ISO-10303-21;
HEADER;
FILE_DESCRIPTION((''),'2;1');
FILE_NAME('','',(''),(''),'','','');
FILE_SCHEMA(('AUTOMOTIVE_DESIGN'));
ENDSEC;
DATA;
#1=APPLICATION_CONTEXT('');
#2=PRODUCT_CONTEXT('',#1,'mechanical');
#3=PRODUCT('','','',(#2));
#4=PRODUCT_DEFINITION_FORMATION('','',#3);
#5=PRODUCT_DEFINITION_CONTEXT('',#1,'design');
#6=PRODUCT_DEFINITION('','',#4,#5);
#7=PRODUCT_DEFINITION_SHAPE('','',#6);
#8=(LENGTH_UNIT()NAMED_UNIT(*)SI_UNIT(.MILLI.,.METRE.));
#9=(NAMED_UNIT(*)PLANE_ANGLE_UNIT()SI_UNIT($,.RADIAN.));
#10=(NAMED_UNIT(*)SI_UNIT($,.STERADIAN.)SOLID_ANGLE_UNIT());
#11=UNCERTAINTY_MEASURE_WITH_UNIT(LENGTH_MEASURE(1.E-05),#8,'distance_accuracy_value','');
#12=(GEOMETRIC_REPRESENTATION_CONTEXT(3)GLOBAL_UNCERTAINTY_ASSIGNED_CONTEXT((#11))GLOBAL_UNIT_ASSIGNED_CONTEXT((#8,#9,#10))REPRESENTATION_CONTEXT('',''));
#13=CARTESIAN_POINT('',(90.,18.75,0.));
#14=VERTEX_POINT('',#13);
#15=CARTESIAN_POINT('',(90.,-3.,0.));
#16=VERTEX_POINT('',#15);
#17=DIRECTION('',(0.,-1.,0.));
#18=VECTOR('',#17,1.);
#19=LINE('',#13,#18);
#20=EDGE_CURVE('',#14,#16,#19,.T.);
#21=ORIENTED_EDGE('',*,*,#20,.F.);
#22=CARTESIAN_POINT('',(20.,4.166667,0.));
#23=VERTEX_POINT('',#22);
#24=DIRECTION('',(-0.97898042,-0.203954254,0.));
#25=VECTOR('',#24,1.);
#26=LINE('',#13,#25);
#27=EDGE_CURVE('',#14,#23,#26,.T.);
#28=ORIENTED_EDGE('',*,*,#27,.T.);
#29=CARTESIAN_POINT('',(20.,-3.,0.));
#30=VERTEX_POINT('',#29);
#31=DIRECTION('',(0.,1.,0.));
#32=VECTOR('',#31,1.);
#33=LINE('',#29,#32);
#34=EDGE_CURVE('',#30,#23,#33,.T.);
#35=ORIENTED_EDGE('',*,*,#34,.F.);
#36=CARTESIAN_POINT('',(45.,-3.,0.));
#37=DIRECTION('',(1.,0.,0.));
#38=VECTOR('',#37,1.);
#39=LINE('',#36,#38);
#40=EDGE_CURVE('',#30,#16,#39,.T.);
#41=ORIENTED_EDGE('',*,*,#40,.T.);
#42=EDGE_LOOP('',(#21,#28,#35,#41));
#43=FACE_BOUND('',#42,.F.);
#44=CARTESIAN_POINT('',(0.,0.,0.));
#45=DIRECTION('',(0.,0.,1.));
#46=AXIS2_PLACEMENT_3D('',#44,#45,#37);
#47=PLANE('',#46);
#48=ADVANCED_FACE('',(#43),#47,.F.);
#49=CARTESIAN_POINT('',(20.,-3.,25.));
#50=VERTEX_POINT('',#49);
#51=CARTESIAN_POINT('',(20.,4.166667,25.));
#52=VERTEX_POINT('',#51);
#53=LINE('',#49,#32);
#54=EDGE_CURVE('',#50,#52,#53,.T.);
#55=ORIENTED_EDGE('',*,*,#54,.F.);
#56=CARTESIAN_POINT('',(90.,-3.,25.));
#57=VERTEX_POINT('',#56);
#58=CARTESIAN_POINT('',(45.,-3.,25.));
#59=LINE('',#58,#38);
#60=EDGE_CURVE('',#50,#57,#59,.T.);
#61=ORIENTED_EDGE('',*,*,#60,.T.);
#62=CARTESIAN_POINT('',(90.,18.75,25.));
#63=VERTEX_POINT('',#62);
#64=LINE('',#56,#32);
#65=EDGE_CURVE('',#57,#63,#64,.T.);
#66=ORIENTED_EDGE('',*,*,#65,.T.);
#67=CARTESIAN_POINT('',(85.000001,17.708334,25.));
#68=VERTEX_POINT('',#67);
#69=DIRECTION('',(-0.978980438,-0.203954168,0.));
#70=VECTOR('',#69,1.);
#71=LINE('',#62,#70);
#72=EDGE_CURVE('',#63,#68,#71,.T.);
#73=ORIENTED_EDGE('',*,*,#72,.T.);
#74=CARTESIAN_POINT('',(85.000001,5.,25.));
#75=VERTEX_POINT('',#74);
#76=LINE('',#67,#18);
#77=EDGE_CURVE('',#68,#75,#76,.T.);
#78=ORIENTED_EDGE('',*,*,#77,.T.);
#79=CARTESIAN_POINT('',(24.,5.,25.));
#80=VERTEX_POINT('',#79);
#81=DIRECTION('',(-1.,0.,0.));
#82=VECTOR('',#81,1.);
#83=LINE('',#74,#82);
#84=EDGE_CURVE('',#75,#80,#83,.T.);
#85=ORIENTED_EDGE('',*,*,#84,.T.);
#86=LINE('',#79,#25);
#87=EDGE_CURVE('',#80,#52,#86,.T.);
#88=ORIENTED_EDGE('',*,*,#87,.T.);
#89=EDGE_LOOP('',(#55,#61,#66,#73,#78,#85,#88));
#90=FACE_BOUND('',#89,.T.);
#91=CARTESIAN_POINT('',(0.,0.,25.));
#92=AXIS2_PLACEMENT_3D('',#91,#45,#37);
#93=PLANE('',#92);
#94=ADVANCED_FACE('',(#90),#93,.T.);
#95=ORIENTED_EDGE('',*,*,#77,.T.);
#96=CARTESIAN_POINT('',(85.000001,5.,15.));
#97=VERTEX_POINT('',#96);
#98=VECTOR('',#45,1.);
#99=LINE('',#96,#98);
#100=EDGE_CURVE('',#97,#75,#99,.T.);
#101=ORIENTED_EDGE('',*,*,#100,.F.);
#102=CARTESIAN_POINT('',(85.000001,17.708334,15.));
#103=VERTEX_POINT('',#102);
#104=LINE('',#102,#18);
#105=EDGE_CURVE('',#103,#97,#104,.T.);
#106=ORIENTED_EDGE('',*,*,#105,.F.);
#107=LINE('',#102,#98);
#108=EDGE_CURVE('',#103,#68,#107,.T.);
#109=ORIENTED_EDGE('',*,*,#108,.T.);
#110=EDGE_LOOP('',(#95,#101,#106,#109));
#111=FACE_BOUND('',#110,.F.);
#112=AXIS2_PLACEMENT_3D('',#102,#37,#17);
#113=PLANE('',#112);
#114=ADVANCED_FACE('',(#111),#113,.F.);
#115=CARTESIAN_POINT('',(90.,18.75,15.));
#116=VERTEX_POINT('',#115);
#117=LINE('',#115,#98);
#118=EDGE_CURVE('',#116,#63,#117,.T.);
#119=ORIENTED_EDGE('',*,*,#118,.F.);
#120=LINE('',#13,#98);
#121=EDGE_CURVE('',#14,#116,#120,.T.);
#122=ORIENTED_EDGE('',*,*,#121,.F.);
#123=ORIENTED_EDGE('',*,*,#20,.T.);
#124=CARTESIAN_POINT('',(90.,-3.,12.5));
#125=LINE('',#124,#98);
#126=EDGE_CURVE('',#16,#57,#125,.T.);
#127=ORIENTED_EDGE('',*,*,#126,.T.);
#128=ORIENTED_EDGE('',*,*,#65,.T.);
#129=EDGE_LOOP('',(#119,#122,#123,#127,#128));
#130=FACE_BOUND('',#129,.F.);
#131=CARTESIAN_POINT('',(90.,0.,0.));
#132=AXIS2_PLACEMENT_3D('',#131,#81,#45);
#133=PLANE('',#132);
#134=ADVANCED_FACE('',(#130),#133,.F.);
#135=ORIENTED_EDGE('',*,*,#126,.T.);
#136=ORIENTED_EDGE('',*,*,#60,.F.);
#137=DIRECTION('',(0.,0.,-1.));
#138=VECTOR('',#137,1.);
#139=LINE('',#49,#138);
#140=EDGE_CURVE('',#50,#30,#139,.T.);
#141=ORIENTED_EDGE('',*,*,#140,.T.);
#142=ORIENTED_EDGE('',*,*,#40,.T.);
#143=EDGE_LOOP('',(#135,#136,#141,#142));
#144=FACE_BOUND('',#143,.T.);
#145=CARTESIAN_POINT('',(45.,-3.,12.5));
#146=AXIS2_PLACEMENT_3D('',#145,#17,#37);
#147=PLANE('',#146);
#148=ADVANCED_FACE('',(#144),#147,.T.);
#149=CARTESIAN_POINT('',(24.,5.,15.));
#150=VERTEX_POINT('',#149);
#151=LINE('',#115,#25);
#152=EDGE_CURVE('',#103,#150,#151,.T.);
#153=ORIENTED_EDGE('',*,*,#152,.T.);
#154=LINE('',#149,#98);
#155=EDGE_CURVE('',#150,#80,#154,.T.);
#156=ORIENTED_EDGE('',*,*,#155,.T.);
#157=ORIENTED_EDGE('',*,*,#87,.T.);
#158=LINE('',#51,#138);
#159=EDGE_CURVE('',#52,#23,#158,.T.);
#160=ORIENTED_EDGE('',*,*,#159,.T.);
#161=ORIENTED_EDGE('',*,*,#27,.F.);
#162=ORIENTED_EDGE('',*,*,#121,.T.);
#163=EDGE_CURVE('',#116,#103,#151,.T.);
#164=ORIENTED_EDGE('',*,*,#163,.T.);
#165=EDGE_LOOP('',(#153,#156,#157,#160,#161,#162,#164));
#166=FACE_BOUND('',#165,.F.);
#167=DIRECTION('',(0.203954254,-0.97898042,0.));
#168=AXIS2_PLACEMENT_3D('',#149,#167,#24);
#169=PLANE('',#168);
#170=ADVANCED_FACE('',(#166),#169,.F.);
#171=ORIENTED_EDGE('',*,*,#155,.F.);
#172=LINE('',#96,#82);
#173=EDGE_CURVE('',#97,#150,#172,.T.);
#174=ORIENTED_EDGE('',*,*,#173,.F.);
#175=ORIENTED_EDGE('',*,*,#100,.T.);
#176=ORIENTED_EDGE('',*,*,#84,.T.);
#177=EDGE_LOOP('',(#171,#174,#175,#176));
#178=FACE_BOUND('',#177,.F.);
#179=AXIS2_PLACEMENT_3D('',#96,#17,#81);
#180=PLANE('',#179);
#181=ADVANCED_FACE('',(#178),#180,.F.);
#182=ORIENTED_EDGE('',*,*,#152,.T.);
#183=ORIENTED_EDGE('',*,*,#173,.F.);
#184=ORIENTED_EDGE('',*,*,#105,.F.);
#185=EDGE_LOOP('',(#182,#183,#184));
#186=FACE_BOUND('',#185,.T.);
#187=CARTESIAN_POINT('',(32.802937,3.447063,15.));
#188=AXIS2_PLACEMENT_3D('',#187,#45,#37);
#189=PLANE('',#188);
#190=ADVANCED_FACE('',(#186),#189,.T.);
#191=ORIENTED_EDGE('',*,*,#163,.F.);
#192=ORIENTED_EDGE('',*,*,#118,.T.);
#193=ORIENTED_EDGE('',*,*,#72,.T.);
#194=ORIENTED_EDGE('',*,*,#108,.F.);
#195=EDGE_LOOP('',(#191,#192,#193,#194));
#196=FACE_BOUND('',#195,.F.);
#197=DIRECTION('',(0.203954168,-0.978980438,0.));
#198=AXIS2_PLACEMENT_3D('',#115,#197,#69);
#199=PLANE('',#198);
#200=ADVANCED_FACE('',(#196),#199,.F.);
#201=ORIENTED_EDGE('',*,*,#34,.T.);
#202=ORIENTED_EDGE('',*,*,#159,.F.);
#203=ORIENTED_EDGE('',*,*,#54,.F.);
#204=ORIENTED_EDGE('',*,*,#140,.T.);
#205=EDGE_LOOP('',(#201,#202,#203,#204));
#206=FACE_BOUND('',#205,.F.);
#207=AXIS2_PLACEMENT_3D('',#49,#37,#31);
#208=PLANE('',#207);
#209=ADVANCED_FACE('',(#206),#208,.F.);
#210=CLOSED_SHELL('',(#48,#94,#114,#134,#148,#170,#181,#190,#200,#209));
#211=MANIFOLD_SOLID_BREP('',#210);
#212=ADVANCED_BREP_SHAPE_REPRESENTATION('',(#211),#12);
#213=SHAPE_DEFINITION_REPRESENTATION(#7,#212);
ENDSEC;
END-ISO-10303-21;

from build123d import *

# Parameters (mm, degrees)
F1_DEPTH  = 15
F3_DEPTH  = 10
F3_FACE_W = 90
F3_FACE_H = 25
F4_DEPTH  = 3
F6_DEPTH  = 25


with BuildPart() as f1:
    # F0 (on Top) → F1 (new body)
    with BuildSketch(Plane.XY):
        Polygon((60, 12.5), (0, 0), (60, 0), align=None)
        Polygon((60, 12.5), (60, 0), (90, 0), (90, 18.75), align=None)
    extrude(amount=F1_DEPTH)

    # F2 (on face) → F3 (join)
    with BuildSketch(Plane.XY.offset(15)):
        Polygon((0, 0), (90, 0), (90, 18.75), (85.000001, 17.708334), (85.000001, 5), (24, 5), align=None)
    extrude(amount=F3_DEPTH)

    # F3_face (on face) → F4 (join)
    with BuildSketch(Plane(origin=(45, 0, 12.5), x_dir=(1, 0, 0), z_dir=(0, -1, 0))):
        Rectangle(F3_FACE_W, F3_FACE_H)
    extrude(amount=F4_DEPTH)

    # F5 (on face) → F6 (cut, through all)
    with BuildSketch(Plane.XY.offset(25)):
        Polygon((0, -3), (20, -3), (20, 4.166667), (0, 0), align=None)
    extrude(amount=-F6_DEPTH, mode=Mode.SUBTRACT)


solid = f1.part
